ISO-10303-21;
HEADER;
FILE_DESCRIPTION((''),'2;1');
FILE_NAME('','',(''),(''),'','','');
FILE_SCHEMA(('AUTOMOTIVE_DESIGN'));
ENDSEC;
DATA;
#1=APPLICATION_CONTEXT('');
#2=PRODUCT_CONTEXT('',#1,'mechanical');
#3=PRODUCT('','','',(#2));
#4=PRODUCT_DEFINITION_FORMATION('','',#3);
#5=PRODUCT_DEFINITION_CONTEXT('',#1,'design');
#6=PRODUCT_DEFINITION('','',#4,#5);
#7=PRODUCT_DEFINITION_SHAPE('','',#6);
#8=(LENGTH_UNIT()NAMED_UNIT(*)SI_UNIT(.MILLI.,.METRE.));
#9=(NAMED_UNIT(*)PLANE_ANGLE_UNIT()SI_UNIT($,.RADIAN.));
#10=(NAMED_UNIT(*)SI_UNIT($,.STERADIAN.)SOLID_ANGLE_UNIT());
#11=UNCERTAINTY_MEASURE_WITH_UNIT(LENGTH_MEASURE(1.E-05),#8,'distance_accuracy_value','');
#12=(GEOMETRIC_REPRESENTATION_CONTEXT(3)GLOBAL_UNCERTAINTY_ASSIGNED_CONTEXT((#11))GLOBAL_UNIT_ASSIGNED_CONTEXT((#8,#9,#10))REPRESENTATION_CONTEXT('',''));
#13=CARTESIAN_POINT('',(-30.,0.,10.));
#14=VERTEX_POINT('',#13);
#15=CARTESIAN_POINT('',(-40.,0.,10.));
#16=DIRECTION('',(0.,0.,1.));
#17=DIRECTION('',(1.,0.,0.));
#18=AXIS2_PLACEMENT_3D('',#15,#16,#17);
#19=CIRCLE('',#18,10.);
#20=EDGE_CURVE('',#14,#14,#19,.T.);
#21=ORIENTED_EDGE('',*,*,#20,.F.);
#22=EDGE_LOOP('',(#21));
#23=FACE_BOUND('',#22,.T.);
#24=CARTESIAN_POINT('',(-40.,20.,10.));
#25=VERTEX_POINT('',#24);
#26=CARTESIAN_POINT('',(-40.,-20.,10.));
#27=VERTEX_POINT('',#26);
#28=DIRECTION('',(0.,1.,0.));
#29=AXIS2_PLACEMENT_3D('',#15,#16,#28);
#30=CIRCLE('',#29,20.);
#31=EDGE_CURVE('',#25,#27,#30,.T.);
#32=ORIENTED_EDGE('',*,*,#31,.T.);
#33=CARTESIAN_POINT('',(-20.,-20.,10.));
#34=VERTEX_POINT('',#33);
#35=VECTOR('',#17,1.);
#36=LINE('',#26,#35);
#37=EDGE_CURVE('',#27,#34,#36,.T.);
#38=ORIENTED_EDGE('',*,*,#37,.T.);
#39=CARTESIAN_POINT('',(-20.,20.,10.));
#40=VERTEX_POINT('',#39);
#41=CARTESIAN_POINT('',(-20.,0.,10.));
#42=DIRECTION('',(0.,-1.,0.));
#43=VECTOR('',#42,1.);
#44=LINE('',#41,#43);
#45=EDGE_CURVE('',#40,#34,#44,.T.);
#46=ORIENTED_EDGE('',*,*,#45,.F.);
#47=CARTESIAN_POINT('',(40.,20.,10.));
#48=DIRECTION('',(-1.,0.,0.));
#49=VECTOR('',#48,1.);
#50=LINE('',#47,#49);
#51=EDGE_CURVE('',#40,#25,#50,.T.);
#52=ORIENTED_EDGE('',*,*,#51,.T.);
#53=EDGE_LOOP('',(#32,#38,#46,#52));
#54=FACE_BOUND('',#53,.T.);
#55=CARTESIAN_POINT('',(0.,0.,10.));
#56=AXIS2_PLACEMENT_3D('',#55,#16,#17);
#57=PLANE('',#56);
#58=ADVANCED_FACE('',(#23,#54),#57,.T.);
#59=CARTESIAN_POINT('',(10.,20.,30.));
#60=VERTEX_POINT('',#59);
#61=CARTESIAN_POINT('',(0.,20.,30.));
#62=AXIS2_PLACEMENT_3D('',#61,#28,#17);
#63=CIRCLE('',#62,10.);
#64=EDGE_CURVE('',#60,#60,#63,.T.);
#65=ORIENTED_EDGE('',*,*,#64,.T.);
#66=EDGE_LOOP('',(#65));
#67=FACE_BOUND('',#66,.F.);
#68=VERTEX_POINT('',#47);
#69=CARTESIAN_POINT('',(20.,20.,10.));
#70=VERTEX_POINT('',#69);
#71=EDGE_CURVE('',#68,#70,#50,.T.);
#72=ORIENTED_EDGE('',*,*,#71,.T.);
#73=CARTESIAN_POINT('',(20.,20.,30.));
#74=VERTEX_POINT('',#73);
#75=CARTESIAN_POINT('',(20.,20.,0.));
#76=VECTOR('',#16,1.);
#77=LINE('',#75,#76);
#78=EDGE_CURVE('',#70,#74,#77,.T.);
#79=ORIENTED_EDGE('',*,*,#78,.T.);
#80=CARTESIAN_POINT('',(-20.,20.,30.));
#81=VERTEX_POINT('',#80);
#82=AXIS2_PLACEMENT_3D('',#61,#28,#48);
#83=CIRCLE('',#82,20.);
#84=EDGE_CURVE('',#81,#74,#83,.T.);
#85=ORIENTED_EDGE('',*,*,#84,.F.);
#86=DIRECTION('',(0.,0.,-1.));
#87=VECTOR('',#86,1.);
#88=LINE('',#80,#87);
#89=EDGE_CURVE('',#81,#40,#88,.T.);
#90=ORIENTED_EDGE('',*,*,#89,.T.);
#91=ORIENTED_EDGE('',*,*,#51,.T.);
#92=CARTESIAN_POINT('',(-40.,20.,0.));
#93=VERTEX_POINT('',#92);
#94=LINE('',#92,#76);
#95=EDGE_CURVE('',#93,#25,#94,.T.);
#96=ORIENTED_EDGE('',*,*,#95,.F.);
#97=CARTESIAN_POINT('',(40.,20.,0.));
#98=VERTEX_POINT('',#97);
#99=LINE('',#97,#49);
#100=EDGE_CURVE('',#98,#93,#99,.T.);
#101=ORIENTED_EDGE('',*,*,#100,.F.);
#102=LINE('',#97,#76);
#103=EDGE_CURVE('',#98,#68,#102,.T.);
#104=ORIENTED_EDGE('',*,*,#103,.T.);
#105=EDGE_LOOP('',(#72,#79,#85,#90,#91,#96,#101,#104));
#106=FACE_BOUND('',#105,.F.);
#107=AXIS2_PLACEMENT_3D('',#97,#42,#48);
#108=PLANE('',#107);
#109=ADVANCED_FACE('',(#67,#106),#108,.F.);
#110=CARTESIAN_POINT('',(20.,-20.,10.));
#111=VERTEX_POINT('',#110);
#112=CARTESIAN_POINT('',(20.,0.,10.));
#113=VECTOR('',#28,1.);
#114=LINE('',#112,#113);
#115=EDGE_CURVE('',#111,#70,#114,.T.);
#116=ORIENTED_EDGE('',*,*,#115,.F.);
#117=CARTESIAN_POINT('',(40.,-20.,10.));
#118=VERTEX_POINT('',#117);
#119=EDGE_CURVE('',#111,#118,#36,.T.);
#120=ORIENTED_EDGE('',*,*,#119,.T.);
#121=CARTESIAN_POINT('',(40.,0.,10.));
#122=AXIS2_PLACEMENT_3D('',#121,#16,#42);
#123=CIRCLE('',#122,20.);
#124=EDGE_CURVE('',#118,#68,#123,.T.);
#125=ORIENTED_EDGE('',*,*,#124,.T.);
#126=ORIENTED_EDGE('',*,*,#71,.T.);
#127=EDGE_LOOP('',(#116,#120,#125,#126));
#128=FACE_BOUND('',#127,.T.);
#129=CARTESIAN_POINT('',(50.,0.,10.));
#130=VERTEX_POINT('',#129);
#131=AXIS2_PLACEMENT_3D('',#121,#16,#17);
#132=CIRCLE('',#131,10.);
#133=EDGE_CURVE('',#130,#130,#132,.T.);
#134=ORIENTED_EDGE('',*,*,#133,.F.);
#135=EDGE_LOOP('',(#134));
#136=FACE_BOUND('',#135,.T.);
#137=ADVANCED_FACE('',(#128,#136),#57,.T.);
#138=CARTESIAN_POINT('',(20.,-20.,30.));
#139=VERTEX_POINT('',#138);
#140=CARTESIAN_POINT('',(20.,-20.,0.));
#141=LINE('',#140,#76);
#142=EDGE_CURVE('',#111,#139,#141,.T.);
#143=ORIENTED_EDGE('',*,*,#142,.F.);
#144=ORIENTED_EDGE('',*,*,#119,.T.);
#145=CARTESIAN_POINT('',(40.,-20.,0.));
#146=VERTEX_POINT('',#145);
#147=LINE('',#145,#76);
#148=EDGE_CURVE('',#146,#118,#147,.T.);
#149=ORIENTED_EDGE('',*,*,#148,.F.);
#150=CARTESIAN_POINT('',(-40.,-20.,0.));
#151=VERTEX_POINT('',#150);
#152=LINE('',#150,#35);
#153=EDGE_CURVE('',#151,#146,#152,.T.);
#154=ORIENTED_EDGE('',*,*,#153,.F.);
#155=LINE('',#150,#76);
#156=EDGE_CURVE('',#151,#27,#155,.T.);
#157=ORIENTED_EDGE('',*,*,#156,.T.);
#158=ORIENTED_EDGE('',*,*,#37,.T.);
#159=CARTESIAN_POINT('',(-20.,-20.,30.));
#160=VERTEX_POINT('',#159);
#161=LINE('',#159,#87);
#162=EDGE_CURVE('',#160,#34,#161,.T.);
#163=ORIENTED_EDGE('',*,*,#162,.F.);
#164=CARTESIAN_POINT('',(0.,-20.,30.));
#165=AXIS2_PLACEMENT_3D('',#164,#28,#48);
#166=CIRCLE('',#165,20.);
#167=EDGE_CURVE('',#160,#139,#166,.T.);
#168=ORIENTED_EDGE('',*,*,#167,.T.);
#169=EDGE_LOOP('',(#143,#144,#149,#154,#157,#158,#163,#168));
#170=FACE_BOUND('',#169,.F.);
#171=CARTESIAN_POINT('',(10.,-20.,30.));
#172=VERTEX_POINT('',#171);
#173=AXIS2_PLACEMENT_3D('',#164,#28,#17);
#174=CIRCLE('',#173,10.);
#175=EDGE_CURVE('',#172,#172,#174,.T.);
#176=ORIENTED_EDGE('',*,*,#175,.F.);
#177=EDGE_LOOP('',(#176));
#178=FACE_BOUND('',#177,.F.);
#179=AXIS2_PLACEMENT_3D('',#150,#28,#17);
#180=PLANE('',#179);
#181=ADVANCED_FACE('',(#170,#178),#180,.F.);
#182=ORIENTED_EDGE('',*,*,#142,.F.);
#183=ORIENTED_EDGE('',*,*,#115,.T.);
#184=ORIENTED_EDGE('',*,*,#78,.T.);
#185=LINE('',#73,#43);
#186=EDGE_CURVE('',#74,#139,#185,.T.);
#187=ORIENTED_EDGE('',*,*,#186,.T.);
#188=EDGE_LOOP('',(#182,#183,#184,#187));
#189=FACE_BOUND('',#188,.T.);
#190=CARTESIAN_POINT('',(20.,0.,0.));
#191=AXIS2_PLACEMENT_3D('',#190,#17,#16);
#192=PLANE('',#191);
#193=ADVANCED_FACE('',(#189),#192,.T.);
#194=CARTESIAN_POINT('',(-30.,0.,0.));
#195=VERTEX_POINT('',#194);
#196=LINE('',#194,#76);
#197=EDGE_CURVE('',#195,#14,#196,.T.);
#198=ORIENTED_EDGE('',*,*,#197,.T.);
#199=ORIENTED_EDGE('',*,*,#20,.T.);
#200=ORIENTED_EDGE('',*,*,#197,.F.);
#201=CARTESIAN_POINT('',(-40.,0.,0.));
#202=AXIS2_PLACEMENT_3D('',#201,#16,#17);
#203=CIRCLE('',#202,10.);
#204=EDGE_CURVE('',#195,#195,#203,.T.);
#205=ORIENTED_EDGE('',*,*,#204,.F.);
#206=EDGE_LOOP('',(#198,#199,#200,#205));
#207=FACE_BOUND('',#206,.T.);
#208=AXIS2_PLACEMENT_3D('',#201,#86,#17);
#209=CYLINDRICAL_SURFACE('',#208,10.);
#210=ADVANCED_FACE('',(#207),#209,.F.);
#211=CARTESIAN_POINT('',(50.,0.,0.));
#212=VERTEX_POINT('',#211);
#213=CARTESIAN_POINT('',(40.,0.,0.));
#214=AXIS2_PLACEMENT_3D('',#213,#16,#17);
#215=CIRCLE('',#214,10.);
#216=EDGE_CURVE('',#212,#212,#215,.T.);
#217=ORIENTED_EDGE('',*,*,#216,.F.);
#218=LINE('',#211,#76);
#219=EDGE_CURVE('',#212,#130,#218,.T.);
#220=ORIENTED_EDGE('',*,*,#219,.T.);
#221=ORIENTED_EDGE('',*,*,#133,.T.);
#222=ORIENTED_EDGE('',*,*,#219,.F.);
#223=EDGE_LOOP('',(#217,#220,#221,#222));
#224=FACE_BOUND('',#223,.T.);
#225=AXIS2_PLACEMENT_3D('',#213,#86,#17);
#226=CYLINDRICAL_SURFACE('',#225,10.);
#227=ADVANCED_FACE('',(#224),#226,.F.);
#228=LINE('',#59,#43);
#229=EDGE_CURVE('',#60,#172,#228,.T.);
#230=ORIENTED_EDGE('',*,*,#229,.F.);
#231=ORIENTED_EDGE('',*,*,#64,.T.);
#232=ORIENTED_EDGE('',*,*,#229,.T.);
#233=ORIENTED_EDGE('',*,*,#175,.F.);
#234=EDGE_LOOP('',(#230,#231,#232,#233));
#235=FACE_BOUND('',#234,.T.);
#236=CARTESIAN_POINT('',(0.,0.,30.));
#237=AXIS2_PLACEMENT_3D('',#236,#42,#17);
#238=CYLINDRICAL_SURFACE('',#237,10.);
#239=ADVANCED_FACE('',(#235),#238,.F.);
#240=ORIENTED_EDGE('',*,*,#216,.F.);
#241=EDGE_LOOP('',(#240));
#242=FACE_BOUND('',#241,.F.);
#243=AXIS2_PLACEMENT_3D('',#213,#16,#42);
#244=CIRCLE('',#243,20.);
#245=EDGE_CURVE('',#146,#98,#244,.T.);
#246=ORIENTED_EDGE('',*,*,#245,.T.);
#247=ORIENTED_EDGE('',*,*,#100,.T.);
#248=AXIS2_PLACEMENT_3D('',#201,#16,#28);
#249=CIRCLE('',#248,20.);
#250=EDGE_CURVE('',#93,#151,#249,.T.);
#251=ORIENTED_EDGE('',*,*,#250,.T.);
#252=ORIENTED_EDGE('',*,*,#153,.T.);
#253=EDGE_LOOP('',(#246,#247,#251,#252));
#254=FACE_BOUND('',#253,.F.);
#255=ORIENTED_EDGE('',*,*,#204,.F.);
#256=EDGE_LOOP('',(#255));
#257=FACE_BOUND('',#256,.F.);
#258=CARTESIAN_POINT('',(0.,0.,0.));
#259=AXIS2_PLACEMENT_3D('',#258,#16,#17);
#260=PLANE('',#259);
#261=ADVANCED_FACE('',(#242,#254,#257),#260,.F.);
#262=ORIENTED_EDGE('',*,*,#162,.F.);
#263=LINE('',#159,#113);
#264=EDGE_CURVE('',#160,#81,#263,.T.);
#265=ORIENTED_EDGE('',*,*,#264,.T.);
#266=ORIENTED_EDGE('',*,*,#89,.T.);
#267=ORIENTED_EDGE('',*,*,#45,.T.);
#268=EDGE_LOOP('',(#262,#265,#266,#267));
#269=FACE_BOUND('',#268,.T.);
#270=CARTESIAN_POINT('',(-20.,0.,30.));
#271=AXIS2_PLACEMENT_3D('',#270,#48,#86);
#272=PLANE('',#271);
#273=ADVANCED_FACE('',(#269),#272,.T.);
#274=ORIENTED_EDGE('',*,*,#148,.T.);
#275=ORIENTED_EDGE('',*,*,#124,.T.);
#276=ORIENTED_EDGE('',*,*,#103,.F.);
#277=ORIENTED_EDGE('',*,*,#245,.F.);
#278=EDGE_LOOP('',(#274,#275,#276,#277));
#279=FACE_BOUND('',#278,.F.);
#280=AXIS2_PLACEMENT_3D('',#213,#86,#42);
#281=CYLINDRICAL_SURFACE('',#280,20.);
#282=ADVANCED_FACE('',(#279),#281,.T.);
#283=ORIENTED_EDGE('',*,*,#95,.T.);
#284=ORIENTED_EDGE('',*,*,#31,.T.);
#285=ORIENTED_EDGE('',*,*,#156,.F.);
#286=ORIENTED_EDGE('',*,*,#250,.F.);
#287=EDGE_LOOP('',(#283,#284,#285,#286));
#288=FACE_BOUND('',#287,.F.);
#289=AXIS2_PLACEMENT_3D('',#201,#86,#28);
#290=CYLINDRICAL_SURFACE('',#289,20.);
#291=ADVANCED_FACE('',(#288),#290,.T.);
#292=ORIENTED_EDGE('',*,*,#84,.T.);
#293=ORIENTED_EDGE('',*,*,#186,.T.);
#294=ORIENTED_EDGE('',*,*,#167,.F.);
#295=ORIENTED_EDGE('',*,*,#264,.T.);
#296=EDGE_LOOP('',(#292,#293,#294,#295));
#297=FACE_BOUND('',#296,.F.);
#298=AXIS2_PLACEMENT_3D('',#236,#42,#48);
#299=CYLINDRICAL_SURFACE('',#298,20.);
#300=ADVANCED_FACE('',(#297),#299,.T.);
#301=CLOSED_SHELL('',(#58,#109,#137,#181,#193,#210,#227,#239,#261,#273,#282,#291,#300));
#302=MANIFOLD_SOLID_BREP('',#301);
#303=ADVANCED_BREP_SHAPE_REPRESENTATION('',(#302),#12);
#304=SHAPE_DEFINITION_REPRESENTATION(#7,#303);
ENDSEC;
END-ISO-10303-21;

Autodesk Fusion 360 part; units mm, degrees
sketch "Sketch1" plane through (0, 0, 0) normal (0, 0, 1) x (1, 0, 0)
  line L0 (40, 20) -> (-40, 20)
  line L1 (-40, -20) -> (40, -20)
  circle A0 centre (-40, 0) radius 10
  circle A1 centre (40, 0) radius 10
  arc A2 (-40, 20) -> (-40, -20) centre (-40, 0) ccw
  arc A3 (40, -20) -> (40, 20) centre (40, 0) ccw
  line L2 (-40, 0) -> (-30, 0) construction
  line L3 (30, 0) -> (40, 0) construction
  dimension "d2" = 40
  dimension "d5" = 40
  dimension "d6" = 40
extrude "Extrude1" add sketch "Sketch1" along normal blind 10
sketch "Sketch2" plane through (0, 0, 0) normal (0, 1, 0) x (1, 0, 0)
  line L0 (-20, 0) -> (20, 0)
  line L1 (20, 0) -> (20, -30)
  line L2 (-20, -30) -> (-20, 0)
  line L3 (-40, 0) -> (-40, -10)
  circle A0 centre (0, -30) radius 10
  arc A1 (-20, -30) -> (20, -30) centre (0, -30) ccw
  dimension "d11" = 40
  dimension "d12" = 30
  dimension "d13" = 20
  dimension "d14" = 20
extrude "Extrude2" add sketch "Sketch2" along normal mid plane 40
